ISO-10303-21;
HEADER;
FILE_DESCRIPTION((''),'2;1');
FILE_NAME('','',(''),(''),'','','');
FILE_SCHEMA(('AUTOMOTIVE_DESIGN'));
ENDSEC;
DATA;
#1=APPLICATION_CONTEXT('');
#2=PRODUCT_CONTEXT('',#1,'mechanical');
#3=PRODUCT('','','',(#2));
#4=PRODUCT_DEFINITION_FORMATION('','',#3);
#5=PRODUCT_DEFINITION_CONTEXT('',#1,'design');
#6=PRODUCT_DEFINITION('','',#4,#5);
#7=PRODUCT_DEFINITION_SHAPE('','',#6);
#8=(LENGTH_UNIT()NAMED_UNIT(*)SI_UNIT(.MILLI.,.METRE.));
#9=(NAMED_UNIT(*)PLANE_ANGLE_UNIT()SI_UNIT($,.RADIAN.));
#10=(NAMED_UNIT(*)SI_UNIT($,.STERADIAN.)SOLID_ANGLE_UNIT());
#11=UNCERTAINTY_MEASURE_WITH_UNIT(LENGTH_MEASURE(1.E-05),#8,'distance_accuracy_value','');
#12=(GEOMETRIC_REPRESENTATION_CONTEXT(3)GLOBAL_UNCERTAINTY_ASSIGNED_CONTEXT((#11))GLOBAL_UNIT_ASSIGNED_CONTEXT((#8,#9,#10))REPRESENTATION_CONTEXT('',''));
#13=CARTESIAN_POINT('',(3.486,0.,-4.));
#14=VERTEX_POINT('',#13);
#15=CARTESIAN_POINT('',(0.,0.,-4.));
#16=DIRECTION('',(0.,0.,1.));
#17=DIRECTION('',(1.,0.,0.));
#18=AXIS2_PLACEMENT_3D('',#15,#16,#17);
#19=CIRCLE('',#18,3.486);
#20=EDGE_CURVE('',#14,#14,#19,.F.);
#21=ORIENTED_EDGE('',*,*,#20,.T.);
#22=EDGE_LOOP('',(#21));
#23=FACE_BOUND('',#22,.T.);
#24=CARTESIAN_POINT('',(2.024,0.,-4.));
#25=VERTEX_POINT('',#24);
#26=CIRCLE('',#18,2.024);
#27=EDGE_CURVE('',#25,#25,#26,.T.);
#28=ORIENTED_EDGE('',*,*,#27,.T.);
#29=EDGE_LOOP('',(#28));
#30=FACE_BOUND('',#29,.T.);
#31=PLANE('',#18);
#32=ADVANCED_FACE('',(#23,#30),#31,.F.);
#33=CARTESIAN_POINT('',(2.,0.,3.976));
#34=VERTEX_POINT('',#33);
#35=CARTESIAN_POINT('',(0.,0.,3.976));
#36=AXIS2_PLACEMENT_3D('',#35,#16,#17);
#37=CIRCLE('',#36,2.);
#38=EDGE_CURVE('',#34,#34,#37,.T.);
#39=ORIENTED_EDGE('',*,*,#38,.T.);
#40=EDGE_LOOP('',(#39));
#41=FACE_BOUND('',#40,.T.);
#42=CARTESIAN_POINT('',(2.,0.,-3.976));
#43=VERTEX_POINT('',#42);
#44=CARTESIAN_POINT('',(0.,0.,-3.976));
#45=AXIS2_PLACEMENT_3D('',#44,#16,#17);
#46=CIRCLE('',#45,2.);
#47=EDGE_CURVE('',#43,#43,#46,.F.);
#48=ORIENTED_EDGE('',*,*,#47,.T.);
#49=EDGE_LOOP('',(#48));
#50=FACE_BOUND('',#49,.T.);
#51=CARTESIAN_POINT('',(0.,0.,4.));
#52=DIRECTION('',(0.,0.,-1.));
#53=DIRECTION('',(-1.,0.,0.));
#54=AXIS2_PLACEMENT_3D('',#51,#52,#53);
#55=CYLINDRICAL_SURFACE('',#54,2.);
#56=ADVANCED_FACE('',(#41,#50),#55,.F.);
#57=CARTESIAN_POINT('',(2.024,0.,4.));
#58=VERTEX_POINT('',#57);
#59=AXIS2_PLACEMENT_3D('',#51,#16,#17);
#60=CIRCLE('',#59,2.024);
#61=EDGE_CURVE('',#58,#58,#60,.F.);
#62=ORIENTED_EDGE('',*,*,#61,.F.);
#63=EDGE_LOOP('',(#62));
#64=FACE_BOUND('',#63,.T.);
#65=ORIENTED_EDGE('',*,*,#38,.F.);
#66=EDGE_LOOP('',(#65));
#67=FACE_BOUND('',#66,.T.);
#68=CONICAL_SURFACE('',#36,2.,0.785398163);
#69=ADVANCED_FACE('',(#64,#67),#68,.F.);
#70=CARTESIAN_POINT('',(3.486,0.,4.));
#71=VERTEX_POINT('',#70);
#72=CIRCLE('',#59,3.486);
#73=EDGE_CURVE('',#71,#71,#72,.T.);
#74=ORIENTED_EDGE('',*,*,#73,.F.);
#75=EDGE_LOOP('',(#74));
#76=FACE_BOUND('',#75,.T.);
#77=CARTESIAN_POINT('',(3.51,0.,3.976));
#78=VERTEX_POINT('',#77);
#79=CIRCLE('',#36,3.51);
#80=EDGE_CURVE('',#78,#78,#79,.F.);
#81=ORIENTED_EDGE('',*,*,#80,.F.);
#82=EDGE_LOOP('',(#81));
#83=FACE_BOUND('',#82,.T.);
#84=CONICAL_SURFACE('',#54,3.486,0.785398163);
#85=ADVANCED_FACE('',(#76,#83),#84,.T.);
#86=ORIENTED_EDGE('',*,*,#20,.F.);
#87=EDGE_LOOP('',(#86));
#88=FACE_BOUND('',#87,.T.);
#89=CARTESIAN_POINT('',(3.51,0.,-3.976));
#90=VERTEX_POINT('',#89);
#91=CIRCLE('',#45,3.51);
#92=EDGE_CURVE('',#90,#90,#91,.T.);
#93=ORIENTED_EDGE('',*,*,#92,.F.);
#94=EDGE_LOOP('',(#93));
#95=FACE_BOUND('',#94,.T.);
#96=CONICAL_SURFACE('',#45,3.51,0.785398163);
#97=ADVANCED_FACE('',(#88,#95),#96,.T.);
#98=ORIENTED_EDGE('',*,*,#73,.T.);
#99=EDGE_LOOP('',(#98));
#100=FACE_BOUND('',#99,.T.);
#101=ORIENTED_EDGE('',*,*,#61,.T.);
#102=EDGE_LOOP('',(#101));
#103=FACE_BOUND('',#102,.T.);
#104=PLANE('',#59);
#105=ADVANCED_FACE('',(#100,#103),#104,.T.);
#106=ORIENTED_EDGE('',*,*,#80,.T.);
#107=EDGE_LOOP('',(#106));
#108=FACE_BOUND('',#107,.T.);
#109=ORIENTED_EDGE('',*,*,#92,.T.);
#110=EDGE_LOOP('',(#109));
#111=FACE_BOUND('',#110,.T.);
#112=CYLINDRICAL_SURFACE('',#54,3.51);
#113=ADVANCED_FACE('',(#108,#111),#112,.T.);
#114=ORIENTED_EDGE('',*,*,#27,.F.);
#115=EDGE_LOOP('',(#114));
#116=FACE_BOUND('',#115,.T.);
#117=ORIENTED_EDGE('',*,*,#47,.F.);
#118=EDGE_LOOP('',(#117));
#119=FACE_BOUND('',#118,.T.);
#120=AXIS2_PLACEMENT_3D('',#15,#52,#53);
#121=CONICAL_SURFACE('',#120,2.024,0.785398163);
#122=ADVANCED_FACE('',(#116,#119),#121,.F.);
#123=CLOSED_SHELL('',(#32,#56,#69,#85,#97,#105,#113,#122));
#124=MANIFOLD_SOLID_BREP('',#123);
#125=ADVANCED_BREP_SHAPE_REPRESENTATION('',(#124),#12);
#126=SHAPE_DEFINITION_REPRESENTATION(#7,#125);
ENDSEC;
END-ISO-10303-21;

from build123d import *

# Parameters (mm, degrees)
BOSS_EXTRUDE1_DEPTH      = 4
BOSS_EXTRUDE1_DEPTH_BACK = 4
SKETCH5_R                = 3.51
SKETCH5_R_2              = 2
CHAMFER1_SIZE            = 0.024


with BuildPart() as part:
    # Sketch5 → Boss-Extrude1 (new, two sides: drawn at the far end of the back side and taken through both)
    with BuildSketch(Plane.XY.offset(-BOSS_EXTRUDE1_DEPTH_BACK)):
        Circle(SKETCH5_R)
        Circle(SKETCH5_R_2, mode=Mode.SUBTRACT)
    extrude(amount=BOSS_EXTRUDE1_DEPTH + BOSS_EXTRUDE1_DEPTH_BACK)

    # Chamfer1
    chamfer1_edges = [part.edges().sort_by_distance(p)[0] for p in [
        (-3.51, 0, 4),
        (-2, 0, 4),
        (-3.51, 0, -4),
        (-2, 0, -4),
    ]]
    chamfer(chamfer1_edges, length=CHAMFER1_SIZE)


solid = part.part
